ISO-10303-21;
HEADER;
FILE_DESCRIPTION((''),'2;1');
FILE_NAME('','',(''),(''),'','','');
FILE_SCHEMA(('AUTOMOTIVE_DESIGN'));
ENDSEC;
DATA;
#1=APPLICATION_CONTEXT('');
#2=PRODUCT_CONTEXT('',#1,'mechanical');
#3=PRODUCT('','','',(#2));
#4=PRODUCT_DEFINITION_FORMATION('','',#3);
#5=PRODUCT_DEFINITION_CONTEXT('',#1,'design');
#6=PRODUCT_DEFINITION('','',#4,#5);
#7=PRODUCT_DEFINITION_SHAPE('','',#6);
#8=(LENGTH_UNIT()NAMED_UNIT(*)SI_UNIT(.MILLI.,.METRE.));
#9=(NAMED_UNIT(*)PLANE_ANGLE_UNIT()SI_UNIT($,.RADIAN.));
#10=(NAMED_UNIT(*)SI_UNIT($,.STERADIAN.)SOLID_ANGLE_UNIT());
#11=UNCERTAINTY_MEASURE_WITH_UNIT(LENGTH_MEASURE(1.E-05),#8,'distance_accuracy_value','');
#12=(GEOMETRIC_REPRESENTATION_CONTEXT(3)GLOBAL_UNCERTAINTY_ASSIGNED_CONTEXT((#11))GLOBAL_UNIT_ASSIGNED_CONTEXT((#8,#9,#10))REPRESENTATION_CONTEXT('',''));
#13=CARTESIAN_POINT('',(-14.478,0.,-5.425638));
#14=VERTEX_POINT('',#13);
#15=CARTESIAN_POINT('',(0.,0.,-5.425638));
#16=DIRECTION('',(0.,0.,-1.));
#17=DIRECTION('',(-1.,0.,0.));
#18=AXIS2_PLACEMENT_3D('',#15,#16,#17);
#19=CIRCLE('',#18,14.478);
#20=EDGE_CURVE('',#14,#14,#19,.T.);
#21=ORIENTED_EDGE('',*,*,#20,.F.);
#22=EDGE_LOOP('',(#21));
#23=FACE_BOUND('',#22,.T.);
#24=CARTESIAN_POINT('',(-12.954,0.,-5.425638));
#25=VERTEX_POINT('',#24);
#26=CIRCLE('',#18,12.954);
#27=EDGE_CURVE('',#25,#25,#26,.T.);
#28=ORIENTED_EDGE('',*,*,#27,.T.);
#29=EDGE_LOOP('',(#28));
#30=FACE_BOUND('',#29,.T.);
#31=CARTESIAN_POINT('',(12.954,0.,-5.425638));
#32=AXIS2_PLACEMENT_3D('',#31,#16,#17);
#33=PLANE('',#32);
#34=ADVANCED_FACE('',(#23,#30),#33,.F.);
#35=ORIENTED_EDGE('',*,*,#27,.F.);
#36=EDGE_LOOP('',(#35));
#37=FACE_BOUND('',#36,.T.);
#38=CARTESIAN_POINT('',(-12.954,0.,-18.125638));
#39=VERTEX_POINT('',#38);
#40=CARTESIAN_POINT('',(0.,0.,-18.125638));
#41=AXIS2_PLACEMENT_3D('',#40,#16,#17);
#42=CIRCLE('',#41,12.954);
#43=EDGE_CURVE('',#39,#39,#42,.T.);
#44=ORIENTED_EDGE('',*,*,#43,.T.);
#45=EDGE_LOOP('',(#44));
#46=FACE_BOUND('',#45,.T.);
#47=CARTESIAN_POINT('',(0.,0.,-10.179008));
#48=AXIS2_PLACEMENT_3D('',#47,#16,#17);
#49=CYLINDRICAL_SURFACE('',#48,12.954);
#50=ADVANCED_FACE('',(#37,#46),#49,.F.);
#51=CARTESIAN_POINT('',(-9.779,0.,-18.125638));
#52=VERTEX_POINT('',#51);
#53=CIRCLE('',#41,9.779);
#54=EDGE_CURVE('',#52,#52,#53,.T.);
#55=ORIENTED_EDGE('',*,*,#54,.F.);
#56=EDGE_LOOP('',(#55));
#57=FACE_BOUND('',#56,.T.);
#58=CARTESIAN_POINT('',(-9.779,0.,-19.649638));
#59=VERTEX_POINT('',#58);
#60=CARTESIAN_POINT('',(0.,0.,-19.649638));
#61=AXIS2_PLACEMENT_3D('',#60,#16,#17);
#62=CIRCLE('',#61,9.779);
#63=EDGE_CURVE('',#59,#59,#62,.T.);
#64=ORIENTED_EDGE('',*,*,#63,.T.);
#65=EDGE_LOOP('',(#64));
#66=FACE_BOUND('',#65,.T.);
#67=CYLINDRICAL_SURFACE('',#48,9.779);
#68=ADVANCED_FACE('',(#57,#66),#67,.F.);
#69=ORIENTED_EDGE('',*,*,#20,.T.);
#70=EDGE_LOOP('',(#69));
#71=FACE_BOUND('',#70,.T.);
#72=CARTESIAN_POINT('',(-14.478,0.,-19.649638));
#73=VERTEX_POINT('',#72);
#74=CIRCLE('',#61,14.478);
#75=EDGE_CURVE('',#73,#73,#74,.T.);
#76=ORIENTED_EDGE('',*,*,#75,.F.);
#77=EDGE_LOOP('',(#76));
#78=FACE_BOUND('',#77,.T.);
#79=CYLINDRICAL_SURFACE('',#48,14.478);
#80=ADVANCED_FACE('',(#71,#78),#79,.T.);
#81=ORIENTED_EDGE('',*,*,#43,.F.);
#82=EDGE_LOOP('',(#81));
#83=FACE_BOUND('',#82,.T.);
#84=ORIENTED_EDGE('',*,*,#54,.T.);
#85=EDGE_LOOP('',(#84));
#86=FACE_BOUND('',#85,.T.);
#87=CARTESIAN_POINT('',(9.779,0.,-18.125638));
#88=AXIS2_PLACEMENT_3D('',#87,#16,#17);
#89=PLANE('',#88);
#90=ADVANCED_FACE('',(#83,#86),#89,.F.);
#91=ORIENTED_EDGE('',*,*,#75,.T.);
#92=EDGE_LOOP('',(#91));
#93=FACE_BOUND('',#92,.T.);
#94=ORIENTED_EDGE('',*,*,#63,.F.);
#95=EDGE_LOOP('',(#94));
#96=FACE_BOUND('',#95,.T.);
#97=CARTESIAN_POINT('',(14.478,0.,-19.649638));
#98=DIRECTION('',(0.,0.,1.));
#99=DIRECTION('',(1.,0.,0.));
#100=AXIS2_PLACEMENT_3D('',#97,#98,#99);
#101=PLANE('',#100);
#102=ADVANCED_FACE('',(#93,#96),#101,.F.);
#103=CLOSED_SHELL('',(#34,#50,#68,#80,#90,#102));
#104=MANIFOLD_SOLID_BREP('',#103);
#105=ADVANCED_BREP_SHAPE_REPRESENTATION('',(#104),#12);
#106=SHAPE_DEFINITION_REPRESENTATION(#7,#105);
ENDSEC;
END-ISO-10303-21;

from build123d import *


with BuildPart() as part:
    # Sketch1 → Revolve1 (revolve)
    with BuildSketch(Plane(origin=(0, 0, 0), x_dir=(1, 0, 0), z_dir=(0, 1, 0))):
        Polygon((12.954, 5.425637802), (14.478, 5.425637802), (14.478, 19.649637802), (9.779, 19.649637802), (9.779, 18.125637802), (12.954, 18.125637802), align=None)
    revolve(axis=Axis((0, 0, -10.179008168), (0, 0, 1)))


solid = part.part
